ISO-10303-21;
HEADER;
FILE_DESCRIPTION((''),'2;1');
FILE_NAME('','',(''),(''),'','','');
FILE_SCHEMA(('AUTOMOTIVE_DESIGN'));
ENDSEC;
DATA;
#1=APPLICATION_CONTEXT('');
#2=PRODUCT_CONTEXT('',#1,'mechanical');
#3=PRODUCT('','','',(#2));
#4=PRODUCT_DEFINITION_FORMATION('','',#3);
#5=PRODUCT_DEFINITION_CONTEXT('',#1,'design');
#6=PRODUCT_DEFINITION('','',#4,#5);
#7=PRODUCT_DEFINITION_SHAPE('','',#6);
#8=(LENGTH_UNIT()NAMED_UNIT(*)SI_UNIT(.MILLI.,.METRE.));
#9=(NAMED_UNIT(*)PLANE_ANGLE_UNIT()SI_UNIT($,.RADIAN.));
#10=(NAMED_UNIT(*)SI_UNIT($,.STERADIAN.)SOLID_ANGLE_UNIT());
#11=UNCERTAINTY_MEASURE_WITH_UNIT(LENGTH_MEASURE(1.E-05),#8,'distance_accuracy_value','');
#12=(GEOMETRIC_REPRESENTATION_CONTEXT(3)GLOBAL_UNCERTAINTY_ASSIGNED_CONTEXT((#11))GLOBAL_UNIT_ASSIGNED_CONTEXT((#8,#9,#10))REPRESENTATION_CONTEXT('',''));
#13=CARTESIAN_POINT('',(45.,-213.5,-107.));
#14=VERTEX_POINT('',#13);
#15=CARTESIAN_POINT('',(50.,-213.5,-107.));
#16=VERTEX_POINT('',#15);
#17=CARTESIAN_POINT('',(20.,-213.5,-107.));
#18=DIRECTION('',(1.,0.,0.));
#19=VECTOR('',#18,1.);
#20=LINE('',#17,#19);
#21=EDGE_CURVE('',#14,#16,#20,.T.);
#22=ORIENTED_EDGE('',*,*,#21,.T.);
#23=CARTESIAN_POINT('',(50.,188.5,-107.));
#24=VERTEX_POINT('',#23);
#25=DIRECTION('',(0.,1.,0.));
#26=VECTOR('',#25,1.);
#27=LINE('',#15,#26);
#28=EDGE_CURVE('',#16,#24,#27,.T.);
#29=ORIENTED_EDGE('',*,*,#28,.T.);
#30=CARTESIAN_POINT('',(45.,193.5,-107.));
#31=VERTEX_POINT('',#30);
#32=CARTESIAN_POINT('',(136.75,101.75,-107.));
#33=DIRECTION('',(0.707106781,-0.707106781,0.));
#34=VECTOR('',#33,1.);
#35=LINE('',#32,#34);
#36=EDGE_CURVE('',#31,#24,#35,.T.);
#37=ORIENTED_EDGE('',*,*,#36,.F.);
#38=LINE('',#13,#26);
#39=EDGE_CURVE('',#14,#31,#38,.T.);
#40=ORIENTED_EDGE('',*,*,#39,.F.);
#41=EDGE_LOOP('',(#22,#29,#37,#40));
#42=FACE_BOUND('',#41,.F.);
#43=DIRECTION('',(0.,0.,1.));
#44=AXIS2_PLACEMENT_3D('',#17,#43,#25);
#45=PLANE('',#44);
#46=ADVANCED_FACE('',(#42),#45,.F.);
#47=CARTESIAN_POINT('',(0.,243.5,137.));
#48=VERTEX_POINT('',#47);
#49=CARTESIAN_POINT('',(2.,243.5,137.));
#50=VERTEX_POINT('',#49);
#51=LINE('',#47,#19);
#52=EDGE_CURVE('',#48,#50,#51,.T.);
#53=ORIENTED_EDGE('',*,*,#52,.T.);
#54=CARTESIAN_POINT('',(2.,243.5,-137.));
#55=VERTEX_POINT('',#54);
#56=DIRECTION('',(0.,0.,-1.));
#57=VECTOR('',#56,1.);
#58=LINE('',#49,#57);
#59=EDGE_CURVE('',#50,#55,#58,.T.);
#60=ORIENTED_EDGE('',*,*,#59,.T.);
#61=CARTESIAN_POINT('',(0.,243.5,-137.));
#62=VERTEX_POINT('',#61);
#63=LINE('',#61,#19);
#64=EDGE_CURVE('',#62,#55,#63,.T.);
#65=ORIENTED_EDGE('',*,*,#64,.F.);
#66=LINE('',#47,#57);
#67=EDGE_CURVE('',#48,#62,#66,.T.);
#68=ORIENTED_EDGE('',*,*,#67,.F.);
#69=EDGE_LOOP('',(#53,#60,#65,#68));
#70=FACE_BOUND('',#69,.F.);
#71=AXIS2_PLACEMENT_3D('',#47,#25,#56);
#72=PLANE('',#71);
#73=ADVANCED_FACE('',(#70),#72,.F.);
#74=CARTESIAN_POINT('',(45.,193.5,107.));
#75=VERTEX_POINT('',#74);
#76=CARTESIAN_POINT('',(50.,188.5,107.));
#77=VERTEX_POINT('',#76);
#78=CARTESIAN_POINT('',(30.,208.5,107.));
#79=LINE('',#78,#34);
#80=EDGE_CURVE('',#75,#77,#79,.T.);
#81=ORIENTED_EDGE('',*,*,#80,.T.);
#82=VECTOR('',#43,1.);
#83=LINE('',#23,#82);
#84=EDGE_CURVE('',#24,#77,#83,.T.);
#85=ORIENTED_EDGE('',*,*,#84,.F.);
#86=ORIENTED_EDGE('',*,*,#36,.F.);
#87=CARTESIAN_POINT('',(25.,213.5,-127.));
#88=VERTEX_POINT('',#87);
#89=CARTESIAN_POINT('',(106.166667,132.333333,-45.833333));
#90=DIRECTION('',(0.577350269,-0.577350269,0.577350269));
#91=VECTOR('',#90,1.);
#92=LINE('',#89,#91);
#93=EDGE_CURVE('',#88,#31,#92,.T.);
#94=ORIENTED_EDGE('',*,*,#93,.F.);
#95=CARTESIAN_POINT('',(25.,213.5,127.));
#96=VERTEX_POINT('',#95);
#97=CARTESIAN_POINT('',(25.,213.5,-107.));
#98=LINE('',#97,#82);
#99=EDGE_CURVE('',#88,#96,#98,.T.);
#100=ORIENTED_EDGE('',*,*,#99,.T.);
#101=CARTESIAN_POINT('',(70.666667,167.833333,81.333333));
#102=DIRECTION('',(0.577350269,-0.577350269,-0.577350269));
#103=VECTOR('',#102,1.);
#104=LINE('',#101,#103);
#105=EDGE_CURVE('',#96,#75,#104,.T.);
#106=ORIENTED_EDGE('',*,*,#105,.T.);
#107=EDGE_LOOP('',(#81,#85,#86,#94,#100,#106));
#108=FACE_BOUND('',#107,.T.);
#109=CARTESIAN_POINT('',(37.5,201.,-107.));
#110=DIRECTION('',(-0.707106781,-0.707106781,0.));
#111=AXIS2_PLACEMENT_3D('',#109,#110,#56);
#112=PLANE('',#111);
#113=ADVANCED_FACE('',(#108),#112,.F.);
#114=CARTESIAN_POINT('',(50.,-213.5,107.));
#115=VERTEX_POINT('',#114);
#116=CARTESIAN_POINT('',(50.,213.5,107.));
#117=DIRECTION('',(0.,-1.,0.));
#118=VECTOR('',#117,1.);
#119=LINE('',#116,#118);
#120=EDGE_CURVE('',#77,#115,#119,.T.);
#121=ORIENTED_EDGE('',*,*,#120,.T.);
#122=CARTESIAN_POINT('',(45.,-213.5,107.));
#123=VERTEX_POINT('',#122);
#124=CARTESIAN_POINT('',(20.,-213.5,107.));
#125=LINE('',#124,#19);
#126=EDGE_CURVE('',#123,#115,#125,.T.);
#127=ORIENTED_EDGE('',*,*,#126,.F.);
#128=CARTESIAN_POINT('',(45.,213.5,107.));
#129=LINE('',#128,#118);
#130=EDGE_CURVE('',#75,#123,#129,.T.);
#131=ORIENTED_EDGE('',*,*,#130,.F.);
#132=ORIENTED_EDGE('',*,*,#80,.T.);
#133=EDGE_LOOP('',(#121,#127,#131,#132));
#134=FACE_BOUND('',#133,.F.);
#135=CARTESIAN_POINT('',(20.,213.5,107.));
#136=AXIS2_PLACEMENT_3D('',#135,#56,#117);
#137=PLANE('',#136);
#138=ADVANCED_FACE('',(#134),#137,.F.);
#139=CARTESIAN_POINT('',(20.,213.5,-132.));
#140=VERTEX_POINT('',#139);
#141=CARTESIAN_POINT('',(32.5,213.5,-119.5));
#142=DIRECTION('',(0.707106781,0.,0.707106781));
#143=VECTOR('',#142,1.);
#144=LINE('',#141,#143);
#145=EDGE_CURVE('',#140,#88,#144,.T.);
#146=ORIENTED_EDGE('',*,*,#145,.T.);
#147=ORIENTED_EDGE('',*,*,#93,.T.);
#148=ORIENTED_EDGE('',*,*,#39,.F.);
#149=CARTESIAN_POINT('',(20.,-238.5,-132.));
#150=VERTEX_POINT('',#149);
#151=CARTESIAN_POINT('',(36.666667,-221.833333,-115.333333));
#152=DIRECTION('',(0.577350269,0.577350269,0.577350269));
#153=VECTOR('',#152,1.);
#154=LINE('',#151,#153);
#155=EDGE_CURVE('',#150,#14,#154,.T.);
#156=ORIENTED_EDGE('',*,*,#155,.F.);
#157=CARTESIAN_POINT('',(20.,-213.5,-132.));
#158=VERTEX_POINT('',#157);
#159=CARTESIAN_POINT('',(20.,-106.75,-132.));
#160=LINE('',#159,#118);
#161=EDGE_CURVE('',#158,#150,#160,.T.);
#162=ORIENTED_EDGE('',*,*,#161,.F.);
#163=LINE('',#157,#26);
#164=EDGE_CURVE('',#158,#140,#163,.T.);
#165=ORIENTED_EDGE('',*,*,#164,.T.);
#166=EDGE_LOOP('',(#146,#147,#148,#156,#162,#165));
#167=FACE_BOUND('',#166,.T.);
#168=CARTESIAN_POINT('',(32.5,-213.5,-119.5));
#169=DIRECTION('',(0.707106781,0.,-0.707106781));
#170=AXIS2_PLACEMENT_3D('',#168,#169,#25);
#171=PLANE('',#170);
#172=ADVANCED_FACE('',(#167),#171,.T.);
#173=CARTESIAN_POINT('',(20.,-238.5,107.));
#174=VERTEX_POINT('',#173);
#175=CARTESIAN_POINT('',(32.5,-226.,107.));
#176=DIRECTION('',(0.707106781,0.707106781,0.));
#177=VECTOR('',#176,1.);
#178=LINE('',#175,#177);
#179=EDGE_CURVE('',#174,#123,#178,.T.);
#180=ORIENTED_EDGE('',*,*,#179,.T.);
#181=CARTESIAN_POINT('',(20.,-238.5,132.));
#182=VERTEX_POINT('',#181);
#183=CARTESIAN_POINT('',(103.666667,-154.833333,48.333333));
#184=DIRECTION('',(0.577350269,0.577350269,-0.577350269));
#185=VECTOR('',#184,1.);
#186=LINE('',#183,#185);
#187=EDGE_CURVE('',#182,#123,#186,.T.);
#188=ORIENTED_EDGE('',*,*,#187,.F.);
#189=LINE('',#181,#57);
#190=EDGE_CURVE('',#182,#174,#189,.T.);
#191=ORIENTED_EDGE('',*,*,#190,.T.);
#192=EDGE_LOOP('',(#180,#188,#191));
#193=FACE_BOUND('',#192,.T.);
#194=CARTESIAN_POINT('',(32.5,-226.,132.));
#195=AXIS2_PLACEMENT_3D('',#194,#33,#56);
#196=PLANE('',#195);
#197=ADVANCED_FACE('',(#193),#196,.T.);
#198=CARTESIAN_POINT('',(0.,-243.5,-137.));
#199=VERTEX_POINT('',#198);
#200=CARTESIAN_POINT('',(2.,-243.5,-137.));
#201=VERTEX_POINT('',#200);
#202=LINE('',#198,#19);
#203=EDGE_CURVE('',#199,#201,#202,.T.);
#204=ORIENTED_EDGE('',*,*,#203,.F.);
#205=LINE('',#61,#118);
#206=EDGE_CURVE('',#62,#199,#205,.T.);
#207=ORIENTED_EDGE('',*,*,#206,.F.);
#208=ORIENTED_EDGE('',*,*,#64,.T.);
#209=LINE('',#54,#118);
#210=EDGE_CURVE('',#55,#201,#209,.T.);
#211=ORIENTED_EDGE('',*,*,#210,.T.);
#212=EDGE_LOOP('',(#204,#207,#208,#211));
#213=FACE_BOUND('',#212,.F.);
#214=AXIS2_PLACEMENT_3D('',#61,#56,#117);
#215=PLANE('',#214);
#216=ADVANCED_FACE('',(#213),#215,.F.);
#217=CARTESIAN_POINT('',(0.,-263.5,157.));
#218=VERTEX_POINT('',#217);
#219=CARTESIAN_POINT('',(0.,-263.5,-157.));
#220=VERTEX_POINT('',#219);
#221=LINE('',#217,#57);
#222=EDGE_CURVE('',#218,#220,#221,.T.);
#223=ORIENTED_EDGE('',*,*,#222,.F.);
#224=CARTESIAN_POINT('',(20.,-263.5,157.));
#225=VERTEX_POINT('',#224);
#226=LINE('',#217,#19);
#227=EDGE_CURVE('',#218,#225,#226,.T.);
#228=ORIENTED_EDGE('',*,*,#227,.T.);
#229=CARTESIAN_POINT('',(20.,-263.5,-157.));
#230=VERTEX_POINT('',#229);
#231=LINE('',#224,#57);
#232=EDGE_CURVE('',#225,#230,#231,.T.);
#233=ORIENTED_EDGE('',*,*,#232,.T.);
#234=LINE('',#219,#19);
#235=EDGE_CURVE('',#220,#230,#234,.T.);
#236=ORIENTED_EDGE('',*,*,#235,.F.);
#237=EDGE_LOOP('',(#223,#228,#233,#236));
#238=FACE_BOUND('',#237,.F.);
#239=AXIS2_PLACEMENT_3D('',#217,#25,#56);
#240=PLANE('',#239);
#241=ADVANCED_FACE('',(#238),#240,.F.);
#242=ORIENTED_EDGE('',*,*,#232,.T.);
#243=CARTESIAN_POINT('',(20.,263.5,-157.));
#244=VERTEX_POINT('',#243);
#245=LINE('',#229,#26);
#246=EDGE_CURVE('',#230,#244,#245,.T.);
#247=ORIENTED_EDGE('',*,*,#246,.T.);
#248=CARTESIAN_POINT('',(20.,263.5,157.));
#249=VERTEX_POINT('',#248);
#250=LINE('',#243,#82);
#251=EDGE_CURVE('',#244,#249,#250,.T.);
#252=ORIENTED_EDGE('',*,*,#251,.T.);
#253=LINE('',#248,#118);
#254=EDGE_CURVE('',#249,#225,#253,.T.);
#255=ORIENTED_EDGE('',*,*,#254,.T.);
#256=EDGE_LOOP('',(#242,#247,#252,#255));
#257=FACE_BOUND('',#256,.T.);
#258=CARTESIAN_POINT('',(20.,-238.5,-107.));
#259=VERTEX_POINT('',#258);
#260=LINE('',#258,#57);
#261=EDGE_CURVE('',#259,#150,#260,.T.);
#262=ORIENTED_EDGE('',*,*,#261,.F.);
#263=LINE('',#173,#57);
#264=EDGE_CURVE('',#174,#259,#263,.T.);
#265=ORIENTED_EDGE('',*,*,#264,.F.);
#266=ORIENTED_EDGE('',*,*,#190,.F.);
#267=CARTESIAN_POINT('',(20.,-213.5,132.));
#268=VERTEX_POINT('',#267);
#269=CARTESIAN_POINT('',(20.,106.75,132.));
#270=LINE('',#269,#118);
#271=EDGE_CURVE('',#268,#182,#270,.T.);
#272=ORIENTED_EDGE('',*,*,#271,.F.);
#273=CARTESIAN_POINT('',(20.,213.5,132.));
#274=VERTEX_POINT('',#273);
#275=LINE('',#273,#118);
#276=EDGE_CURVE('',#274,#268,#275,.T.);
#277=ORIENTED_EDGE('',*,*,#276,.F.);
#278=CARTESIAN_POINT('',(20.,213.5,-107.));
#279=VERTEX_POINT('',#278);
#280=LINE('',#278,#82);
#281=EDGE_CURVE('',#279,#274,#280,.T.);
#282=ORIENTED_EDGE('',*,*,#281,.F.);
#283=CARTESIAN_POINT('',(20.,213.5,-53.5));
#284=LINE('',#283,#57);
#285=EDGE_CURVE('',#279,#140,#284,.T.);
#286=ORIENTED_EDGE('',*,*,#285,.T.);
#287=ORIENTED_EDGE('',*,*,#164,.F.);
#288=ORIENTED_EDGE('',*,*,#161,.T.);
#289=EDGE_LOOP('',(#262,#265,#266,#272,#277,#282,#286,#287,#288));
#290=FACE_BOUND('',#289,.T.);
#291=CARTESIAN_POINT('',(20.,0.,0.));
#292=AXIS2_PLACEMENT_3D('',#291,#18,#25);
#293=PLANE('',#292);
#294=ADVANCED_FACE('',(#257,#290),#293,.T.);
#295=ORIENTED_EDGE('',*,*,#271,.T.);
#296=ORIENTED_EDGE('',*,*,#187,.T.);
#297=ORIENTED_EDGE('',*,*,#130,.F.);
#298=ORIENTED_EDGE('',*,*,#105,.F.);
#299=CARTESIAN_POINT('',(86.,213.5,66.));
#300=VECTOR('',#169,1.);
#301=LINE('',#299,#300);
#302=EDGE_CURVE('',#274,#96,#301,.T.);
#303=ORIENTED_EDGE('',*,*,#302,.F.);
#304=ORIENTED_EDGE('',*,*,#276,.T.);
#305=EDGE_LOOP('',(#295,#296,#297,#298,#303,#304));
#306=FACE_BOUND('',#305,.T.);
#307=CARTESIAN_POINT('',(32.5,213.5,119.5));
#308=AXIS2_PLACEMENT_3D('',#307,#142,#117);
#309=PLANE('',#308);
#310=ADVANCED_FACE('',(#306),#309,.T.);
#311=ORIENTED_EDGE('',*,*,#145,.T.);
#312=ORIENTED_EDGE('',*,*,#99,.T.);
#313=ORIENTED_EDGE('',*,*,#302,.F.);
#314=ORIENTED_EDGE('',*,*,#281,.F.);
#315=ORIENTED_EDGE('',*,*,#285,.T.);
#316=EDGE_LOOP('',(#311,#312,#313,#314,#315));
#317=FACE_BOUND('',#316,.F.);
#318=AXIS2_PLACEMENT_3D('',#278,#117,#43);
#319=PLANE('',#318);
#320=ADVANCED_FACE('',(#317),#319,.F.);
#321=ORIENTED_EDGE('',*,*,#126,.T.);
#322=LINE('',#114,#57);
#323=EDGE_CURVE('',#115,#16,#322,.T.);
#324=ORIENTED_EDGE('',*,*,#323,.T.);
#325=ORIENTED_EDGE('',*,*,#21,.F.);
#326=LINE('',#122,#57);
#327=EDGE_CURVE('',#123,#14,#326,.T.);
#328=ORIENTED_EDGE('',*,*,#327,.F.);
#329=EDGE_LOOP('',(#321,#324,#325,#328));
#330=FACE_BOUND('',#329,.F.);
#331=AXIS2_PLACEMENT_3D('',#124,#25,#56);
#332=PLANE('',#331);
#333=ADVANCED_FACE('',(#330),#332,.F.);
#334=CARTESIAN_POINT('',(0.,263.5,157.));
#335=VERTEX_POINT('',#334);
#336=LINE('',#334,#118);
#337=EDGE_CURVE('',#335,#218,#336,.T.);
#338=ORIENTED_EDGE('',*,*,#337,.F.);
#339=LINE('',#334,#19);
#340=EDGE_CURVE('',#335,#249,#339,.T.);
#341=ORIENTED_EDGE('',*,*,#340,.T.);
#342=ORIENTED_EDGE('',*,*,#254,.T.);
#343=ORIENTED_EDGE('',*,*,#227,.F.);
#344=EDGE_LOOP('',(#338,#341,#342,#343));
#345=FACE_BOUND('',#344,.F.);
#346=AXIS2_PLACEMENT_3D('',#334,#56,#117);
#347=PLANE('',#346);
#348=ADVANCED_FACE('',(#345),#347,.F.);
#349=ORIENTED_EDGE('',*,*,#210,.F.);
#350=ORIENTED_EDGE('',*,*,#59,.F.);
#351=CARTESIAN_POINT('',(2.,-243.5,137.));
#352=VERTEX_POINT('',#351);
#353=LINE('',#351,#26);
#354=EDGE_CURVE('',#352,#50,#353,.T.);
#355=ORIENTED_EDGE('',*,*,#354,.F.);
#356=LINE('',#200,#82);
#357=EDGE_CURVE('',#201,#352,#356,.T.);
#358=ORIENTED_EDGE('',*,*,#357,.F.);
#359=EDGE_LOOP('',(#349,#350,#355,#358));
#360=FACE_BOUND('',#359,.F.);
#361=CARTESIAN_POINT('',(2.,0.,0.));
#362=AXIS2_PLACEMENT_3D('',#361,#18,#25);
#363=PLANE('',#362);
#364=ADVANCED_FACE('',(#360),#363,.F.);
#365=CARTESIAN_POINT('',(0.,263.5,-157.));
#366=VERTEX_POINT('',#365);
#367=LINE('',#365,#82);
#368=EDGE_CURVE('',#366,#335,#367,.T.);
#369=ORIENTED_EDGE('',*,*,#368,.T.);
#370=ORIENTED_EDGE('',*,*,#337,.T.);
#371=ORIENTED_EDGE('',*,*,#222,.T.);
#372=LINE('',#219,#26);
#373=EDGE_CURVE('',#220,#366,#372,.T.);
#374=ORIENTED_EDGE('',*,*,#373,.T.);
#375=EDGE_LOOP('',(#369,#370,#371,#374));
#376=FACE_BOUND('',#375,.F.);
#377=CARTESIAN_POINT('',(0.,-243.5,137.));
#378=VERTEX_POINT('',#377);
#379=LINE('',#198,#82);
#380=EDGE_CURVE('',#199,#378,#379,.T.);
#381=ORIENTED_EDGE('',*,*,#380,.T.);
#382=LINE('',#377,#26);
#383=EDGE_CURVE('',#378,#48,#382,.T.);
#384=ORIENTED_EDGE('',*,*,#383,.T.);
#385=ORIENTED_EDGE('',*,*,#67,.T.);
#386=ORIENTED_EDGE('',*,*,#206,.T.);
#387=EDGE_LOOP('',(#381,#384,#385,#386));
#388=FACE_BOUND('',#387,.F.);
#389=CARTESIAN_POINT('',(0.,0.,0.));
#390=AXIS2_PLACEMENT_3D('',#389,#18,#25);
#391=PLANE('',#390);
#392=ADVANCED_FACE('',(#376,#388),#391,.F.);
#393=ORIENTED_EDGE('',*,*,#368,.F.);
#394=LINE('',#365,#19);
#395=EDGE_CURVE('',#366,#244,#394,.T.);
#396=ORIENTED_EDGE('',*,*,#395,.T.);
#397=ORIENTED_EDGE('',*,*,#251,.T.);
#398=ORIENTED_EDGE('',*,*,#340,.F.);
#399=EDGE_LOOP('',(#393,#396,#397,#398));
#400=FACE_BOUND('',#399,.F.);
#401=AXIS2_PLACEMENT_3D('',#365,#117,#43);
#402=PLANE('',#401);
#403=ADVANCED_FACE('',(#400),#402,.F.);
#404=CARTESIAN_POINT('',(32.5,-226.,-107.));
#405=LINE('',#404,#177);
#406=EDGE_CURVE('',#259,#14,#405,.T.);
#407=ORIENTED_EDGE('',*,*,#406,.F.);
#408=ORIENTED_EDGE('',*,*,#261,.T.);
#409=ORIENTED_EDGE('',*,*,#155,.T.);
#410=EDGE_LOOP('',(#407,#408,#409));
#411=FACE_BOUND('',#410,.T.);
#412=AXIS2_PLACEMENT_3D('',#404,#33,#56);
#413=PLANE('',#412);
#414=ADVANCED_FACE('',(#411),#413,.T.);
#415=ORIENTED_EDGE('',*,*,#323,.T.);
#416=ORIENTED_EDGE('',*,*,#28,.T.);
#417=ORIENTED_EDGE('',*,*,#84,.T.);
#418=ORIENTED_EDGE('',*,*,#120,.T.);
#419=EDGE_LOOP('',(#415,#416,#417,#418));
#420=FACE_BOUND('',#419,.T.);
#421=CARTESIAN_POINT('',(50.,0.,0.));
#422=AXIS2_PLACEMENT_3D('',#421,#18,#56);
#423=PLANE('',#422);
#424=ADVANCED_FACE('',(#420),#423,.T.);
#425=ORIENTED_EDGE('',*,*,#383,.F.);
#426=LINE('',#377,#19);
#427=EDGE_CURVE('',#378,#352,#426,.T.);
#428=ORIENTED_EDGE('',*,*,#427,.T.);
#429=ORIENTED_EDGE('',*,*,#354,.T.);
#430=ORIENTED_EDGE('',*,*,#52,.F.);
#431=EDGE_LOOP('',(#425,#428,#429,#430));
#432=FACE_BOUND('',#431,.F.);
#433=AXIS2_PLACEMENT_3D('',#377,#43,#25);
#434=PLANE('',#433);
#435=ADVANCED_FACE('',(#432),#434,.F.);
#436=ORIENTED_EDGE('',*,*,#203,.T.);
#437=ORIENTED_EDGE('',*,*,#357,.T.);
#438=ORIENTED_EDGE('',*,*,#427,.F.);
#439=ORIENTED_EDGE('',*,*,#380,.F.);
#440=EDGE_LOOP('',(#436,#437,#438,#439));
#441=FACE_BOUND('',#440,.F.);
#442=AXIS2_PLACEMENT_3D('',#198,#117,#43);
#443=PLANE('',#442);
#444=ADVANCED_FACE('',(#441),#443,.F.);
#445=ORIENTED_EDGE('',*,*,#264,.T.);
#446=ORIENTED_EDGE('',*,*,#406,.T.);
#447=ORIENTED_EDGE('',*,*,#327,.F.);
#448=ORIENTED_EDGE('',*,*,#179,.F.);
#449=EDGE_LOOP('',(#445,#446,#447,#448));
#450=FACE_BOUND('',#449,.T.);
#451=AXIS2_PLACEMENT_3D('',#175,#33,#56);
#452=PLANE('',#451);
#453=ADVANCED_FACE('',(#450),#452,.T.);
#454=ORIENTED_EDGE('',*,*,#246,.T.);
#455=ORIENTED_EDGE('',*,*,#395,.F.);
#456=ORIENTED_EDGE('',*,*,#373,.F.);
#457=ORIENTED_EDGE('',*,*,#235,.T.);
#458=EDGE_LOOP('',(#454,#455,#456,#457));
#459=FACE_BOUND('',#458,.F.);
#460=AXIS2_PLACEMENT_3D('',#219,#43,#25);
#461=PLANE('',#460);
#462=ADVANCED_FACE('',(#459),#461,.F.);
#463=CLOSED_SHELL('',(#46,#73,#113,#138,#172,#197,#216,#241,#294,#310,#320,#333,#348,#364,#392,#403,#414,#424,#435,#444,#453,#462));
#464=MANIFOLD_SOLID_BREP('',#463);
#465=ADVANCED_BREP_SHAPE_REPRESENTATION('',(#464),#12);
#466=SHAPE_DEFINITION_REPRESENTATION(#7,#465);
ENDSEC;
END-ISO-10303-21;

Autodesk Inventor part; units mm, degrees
ref_plane "YZ Plane" through (0, 0, 0) normal (1, 0, 0) x (0, 1, 0)
ref_plane "XZ Plane" through (0, 0, 0) normal (0, 1, 0) x (-1, 0, 0)
ref_plane "XY Plane" through (0, 0, 0) normal (0, 0, 1) x (1, 0, 0)
sketch "Sketch1" plane through (0, 0, 0) normal (1, 0, 0) x (0, 1, 0)
  line L0 (-243.5, 137) -> (243.5, 137)
  line L1 (243.5, 137) -> (243.5, -137)
  line L2 (243.5, -137) -> (-243.5, -137)
  line L3 (-243.5, -137) -> (-243.5, 137)
  line L4 (-243.5, 137) -> (243.5, -137) construction
  line L5 (243.5, 137) -> (-243.5, -137) construction
  line L6 (263.5, -157) -> (263.5, 157)
  line L7 (263.5, 157) -> (-263.5, 157)
  line L8 (-263.5, 157) -> (-263.5, -157)
  line L9 (-263.5, -157) -> (263.5, -157)
  point P0 (0, 0)
  dimension "d0" = 487
  dimension "d1" = 274
  dimension "d2" = 20
extrude "Extrusion1" add sketch "Sketch1" along normal blind 20 contours L0 L1 L2 L3 | L9 L8 L7 L6
extrude "Extrusion2" cut sketch "Sketch1" along normal blind 2 contours L0 L1 L2 L3
sketch "Sketch2" plane through (20, 0, 0) normal (1, 0, 0) x (0, 0, -1)
  line L0 (-157, 263.5) -> (-157, -263.5) projected
  line L1 (-157, -263.5) -> (157, -263.5) projected
  line L2 (157, -263.5) -> (157, 263.5) projected
  line L3 (157, 263.5) -> (-157, 263.5) projected
  line L4 (-107, 213.5) -> (-107, -213.5)
  line L5 (-107, -213.5) -> (107, -213.5)
  line L6 (107, -213.5) -> (107, 213.5)
  line L7 (107, 213.5) -> (-107, 213.5)
  point P0 (0, 0)
  dimension "d7" = 50
extrude "Extrusion3" add sketch "Sketch2" along normal blind 30 contours L7 L6 L5 L4
chamfer "Chamfer1" distance 25 angle 45 4 edges at (20, 0, -107) (50, 213.5, 0) (20, 0, 107) (20, -213.5, 0)
sketch "Sketch3" plane through (2, 0, 0) normal (-1, 0, 0) x (0, 0, 1)
  line L0 (104.6072, 242.4545) -> (104.6072, -244.4852) construction
  line L1 (104.6072, -244.4852) -> (-58.4506, -244.4852) construction
  line L2 (-58.4506, -244.4852) -> (-58.4506, 242.4545) construction
  line L3 (-58.4506, 242.4545) -> (104.6072, 242.4545) construction
  point P0 (0, 0)
decal "Decal4"
properties part number "DIMENSIONES_PANTALLA" material "Steel, Mild, Welded"
